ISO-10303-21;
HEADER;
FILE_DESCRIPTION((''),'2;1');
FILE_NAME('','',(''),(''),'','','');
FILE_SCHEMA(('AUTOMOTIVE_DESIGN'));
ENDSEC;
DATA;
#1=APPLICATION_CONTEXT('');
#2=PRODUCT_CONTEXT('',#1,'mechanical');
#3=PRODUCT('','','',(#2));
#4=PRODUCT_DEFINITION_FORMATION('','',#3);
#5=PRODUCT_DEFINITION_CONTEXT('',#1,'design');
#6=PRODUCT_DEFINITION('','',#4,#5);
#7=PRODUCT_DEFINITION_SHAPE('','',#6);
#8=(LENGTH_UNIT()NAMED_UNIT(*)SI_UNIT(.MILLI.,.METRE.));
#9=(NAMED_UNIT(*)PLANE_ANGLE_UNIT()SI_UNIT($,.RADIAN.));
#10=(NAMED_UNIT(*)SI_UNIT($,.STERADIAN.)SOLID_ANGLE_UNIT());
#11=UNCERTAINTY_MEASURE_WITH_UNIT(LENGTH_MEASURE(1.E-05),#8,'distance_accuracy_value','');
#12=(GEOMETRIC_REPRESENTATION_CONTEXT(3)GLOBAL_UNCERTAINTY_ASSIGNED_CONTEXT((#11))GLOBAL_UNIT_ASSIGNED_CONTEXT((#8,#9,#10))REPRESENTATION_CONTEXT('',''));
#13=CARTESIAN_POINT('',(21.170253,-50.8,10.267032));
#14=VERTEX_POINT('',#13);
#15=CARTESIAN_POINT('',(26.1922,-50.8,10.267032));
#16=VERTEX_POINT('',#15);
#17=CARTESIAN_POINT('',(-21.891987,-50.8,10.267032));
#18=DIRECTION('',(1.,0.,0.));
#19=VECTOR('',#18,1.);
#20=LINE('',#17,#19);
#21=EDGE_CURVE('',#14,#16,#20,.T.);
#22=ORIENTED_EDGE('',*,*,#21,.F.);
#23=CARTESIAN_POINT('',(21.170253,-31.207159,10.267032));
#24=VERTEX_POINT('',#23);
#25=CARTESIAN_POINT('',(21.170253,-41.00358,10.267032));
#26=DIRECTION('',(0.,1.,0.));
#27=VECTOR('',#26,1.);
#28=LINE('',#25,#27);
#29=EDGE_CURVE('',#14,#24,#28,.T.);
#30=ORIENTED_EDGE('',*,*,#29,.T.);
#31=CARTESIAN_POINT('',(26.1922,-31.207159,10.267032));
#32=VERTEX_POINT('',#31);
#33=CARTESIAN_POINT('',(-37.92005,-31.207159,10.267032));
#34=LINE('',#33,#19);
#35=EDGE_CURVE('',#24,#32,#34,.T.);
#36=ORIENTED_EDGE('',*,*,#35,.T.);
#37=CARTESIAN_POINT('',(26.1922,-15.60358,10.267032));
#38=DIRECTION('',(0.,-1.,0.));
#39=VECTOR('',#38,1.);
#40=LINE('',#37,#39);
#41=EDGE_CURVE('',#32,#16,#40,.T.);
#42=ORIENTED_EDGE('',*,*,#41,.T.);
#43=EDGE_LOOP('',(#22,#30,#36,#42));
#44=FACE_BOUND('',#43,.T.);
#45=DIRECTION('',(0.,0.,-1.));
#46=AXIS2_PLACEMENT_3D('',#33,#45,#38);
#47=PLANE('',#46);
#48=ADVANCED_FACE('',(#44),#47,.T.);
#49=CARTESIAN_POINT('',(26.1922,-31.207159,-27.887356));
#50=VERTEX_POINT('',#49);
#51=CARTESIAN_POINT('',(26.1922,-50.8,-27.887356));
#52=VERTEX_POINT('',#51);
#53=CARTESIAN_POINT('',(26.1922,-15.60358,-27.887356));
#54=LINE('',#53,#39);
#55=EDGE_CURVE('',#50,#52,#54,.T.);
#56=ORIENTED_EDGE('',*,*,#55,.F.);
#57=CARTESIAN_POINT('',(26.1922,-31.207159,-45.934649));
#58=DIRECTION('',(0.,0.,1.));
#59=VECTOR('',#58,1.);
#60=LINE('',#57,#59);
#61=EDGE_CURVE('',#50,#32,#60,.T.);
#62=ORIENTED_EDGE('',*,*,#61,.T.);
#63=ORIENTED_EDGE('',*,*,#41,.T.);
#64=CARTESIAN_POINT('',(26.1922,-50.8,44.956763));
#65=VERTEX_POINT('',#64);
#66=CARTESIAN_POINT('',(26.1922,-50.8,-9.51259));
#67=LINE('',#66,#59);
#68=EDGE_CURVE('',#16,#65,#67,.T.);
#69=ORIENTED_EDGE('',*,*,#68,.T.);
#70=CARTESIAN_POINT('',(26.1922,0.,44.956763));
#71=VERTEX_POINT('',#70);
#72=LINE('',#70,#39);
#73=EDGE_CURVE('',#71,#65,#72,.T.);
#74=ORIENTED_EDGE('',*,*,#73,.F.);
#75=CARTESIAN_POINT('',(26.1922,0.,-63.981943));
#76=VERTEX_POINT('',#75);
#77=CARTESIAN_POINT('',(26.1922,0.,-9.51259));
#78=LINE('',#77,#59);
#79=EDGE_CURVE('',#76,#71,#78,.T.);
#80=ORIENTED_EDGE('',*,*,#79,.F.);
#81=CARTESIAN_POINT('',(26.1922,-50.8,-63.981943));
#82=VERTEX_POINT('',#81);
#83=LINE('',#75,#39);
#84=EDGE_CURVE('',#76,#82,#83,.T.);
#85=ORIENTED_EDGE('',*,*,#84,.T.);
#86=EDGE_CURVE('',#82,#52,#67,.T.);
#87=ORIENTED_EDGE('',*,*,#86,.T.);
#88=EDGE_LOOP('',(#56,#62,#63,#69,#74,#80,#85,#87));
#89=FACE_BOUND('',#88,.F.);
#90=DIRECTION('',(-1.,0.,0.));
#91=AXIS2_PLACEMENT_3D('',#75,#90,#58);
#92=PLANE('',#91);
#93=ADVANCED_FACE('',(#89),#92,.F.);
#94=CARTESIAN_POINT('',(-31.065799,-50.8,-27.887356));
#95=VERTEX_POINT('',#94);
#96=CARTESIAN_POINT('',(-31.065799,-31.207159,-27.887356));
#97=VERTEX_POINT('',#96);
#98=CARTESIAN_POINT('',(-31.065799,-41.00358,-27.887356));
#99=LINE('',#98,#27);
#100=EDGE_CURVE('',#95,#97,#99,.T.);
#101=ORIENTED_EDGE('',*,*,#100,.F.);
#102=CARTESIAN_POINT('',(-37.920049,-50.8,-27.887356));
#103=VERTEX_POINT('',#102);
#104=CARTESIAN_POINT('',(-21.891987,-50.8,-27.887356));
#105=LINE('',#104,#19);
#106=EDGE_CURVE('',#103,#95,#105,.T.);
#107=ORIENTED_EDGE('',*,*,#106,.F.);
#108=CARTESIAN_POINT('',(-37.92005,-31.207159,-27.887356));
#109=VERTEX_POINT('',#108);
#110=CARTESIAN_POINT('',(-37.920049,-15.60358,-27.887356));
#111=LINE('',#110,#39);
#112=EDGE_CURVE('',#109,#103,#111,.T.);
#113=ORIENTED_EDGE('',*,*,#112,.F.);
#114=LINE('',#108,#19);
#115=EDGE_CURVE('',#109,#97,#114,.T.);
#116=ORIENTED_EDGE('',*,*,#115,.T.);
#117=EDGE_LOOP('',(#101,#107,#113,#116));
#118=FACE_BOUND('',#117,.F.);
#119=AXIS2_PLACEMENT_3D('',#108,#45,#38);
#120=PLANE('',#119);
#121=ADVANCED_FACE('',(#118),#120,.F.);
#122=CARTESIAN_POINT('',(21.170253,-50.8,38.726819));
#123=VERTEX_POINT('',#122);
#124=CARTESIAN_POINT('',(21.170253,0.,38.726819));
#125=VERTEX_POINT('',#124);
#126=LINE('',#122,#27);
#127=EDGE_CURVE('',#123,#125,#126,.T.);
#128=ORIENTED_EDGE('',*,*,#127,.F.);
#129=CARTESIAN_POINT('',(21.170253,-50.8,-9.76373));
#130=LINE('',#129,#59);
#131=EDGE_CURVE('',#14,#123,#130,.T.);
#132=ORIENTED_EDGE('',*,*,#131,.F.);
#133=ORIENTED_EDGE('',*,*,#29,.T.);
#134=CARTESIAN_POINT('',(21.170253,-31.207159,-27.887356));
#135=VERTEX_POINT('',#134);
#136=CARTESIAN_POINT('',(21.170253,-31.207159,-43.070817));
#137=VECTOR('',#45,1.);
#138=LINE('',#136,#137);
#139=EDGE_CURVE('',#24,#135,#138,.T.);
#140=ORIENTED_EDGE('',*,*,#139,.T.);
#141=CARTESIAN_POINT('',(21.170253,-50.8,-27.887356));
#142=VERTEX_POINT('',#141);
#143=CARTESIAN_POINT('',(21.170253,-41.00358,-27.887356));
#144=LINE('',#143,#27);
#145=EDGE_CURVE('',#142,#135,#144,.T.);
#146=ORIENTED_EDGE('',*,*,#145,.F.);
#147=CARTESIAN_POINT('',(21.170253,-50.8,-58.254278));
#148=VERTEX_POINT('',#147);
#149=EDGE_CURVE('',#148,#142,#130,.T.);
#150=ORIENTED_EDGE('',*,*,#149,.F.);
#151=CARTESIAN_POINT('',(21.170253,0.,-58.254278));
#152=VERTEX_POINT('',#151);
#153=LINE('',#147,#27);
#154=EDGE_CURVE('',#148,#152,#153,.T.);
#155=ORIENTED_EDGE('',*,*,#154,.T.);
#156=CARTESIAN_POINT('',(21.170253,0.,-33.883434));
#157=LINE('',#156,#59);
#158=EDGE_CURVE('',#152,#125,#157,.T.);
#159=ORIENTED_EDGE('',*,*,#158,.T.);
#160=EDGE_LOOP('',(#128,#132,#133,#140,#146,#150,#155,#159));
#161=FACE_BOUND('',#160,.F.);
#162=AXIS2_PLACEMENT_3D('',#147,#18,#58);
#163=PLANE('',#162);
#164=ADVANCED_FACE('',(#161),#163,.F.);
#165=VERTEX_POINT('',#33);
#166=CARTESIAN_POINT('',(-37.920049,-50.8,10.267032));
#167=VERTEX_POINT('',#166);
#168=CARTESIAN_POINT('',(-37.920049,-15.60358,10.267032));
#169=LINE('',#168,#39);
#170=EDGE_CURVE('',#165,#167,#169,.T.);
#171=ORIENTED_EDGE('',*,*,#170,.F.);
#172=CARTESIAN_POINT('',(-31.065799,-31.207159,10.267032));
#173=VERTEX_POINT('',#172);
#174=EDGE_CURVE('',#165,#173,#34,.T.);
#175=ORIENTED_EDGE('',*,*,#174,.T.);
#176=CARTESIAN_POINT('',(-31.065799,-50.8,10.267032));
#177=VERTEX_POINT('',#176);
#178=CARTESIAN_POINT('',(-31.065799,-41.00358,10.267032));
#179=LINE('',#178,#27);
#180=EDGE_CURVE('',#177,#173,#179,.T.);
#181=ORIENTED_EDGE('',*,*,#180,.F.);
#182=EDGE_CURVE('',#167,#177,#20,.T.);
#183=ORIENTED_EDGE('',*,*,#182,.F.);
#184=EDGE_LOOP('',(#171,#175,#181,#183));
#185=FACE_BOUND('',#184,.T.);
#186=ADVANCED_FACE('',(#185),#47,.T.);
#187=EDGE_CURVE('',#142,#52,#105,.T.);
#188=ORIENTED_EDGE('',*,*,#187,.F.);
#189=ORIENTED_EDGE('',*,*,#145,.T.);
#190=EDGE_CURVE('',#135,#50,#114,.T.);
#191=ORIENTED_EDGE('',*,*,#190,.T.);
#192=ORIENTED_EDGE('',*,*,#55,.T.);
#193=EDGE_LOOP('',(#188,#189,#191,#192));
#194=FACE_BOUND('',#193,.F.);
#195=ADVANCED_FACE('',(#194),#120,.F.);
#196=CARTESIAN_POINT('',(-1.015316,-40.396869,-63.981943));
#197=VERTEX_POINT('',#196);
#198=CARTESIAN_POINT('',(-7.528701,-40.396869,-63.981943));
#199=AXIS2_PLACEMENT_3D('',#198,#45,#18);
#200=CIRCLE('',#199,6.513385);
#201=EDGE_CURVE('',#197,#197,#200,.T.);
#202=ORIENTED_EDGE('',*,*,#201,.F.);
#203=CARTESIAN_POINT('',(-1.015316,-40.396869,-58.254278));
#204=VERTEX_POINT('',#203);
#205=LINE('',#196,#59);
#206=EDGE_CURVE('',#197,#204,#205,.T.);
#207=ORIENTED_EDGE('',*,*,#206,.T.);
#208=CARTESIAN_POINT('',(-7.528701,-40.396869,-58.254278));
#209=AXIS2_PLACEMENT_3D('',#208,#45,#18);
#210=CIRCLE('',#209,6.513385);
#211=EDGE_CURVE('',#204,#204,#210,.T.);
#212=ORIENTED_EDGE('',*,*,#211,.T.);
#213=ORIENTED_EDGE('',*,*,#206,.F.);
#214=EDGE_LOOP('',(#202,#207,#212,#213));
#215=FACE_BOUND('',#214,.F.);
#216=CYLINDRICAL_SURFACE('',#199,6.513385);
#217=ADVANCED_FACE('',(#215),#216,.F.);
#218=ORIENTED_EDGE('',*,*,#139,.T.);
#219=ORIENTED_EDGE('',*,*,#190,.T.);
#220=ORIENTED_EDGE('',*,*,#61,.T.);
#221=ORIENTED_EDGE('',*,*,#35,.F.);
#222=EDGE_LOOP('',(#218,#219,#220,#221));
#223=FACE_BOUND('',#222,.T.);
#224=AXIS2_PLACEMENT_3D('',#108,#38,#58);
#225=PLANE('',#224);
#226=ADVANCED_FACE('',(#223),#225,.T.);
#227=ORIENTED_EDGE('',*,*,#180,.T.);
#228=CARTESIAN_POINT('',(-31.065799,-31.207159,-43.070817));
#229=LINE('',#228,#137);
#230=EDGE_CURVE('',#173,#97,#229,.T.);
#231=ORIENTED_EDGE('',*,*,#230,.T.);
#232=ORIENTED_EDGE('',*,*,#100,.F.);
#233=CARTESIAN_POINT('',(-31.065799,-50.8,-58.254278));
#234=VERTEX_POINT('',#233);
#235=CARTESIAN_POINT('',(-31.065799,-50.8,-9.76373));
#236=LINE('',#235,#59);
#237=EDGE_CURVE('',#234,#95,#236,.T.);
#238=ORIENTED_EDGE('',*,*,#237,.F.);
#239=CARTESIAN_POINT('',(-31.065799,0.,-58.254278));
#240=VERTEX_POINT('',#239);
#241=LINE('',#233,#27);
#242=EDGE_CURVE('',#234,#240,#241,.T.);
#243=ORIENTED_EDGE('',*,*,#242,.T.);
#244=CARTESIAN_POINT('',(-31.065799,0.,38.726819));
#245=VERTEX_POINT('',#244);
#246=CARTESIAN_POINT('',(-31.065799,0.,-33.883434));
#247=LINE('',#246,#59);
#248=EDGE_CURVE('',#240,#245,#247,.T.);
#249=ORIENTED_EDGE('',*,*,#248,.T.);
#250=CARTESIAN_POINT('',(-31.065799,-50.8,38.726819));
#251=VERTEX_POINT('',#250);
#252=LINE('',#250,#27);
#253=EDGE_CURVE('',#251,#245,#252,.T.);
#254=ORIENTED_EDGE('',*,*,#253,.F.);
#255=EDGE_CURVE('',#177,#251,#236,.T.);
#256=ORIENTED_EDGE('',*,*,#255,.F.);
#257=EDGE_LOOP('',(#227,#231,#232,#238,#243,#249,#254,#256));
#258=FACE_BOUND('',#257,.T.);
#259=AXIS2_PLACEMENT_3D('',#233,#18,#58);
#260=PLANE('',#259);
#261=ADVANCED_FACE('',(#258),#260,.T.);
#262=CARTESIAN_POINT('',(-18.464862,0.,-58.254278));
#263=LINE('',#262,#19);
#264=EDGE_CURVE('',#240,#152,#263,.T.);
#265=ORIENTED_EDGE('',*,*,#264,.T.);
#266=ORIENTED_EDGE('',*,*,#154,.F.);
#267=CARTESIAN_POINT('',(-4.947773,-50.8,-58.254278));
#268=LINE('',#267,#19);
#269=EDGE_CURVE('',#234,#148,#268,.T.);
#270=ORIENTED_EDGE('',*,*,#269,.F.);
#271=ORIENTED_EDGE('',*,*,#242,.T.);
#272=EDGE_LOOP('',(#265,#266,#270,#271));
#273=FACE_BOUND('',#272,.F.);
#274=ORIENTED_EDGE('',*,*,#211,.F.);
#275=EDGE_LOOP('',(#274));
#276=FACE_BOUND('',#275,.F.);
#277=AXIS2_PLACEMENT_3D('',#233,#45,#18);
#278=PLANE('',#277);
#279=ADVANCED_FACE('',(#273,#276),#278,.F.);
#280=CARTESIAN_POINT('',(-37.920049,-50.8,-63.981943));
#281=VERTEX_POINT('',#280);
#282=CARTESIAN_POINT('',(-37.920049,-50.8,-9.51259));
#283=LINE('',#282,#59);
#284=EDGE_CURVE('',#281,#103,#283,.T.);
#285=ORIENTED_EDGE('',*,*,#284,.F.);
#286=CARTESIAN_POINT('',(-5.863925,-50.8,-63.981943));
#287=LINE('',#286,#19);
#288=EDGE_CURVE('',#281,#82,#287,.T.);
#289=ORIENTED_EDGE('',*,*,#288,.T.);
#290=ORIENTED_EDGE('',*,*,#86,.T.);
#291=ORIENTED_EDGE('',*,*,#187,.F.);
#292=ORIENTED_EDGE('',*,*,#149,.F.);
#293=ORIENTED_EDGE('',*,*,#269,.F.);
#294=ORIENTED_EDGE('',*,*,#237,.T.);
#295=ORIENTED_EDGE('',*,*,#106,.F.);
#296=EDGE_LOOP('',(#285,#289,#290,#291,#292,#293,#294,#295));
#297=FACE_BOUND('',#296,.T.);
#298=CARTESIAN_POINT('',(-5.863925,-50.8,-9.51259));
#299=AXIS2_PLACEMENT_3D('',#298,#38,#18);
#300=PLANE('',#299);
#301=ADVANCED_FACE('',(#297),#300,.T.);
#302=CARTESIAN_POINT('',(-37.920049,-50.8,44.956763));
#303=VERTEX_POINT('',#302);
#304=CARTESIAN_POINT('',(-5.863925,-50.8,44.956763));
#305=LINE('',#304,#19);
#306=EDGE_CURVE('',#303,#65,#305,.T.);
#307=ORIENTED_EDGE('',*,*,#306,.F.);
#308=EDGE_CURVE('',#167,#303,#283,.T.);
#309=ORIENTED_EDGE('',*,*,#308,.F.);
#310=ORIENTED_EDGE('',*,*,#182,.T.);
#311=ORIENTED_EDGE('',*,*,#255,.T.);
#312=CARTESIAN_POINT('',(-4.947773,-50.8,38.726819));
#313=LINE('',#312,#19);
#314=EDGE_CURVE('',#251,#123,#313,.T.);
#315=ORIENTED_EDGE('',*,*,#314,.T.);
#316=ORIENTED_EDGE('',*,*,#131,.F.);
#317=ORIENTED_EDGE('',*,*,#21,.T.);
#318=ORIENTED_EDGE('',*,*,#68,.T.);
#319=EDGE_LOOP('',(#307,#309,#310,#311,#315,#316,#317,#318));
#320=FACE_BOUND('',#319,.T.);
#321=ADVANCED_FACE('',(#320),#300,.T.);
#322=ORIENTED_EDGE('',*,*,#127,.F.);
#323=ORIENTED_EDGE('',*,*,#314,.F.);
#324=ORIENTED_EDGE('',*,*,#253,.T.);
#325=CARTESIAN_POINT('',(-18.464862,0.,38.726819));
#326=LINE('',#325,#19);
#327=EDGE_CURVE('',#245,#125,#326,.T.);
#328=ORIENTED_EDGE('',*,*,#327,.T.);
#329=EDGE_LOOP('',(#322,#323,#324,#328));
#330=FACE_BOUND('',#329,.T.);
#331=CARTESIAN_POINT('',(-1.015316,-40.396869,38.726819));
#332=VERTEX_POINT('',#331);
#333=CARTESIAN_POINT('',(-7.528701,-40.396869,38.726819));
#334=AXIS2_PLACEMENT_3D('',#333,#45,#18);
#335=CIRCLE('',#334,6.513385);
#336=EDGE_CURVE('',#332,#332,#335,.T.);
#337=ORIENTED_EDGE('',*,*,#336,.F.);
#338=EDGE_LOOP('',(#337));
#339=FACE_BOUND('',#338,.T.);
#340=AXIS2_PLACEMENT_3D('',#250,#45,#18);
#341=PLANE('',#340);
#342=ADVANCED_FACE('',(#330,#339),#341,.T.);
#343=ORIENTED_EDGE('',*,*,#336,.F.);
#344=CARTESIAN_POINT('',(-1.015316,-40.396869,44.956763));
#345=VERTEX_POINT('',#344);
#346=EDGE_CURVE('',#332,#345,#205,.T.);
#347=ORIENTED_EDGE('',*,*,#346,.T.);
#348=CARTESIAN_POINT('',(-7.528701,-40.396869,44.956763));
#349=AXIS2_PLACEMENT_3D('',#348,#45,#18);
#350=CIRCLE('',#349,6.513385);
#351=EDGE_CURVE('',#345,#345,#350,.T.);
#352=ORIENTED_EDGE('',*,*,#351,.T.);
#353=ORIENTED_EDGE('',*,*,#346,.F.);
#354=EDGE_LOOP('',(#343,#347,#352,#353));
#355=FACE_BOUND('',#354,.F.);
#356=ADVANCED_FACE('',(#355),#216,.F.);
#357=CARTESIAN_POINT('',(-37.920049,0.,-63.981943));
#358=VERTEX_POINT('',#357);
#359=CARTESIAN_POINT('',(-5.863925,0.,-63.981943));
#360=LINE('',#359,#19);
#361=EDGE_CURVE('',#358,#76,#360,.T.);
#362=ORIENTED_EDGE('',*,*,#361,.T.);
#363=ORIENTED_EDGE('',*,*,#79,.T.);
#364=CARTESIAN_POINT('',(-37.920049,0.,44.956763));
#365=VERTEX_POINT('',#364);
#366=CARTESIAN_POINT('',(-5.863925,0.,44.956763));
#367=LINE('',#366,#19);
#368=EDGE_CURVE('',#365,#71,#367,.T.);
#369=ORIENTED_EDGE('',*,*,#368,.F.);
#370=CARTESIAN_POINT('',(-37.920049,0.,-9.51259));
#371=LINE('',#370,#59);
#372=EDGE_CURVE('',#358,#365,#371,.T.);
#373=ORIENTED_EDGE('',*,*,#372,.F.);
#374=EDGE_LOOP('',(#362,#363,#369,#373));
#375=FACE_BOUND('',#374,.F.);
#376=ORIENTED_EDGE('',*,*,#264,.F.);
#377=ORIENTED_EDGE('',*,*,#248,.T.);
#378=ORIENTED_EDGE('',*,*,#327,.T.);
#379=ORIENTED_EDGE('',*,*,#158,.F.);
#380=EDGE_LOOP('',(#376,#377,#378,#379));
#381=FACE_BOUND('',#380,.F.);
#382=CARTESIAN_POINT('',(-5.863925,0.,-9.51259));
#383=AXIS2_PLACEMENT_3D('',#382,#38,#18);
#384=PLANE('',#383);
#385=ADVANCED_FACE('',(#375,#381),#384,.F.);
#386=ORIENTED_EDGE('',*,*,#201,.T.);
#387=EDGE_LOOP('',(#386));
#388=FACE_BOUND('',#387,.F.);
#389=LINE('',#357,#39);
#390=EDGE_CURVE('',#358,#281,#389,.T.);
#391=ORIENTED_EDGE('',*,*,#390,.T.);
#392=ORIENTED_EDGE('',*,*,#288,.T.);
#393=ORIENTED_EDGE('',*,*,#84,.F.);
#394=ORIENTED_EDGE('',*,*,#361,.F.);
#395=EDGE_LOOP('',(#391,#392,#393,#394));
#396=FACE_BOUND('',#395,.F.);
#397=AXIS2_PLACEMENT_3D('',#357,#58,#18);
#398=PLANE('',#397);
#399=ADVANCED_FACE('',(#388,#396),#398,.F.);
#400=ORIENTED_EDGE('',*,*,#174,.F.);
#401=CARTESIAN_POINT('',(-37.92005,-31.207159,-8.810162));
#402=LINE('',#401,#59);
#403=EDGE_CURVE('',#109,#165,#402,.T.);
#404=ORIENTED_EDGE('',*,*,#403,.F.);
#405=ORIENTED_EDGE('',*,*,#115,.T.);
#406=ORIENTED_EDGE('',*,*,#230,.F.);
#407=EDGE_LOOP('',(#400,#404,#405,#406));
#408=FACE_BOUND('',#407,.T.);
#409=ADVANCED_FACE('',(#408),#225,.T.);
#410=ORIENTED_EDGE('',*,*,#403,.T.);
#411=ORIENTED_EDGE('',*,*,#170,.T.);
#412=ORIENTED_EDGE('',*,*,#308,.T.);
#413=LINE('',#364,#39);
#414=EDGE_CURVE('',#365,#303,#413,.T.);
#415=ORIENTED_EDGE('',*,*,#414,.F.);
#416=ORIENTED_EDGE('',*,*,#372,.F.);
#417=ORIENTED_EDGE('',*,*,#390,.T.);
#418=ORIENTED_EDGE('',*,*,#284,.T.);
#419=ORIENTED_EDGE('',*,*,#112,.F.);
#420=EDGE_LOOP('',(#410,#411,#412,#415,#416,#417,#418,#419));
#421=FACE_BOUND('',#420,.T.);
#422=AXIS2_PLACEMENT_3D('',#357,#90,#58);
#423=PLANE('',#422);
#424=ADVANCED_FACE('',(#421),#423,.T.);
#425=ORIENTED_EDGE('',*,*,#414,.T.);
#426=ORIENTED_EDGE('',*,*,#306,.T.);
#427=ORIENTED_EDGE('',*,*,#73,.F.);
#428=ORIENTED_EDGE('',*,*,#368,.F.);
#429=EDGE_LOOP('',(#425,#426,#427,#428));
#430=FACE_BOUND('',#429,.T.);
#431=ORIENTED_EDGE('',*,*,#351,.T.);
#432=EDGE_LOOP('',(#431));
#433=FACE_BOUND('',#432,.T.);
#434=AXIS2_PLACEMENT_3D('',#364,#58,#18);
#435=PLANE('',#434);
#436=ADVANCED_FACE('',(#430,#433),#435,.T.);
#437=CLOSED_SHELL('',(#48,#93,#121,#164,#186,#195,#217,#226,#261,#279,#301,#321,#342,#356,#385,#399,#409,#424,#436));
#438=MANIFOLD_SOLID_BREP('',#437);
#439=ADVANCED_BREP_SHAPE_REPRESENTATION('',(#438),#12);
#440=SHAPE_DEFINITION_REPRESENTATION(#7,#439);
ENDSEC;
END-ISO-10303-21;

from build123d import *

# Parameters (mm, degrees)
F0_W     = 64.112249
F0_H     = 108.938705
F1_DEPTH = 50.8
F3_W     = 52.236052
F3_H     = 96.981097
F4_DEPTH = 131.318
F2_W     = 19.592841
F2_H     = 38.154388
F5_DEPTH = 116.078
F6_R     = 6.513385
F7_DEPTH = 143.51


with BuildPart() as f1:
    # F0 (on Front) → F1 (new body)
    with BuildSketch(Plane.XZ):
        with Locations((-5.863925, -9.51259)):
            Rectangle(F0_W, F0_H)
    extrude(amount=F1_DEPTH)

    # F3 (on face) → F4 (cut)
    with BuildSketch(Plane.XZ.offset(50.8)):
        with Locations((-4.947773, -9.76373)):
            Rectangle(F3_W, F3_H)
    extrude(amount=-F4_DEPTH, mode=Mode.SUBTRACT)

    # F2 (on face) → F5 (cut)
    with BuildSketch(Plane(origin=(-37.92005, 0, 0), x_dir=(0, -1, 0), z_dir=(-1, 0, 0))):
        with Locations((41.00358, -8.810162)):
            Rectangle(F2_W, F2_H)
    extrude(amount=-F5_DEPTH, mode=Mode.SUBTRACT)

    # F6 (on face) → F7 (cut)
    with BuildSketch(Plane(origin=(0, 0, -63.981943), x_dir=(1, 0, 0), z_dir=(0, 0, -1))):
        with Locations((-7.528701, 40.396869)):
            Circle(F6_R)
    extrude(amount=-F7_DEPTH, mode=Mode.SUBTRACT)


solid = f1.part
